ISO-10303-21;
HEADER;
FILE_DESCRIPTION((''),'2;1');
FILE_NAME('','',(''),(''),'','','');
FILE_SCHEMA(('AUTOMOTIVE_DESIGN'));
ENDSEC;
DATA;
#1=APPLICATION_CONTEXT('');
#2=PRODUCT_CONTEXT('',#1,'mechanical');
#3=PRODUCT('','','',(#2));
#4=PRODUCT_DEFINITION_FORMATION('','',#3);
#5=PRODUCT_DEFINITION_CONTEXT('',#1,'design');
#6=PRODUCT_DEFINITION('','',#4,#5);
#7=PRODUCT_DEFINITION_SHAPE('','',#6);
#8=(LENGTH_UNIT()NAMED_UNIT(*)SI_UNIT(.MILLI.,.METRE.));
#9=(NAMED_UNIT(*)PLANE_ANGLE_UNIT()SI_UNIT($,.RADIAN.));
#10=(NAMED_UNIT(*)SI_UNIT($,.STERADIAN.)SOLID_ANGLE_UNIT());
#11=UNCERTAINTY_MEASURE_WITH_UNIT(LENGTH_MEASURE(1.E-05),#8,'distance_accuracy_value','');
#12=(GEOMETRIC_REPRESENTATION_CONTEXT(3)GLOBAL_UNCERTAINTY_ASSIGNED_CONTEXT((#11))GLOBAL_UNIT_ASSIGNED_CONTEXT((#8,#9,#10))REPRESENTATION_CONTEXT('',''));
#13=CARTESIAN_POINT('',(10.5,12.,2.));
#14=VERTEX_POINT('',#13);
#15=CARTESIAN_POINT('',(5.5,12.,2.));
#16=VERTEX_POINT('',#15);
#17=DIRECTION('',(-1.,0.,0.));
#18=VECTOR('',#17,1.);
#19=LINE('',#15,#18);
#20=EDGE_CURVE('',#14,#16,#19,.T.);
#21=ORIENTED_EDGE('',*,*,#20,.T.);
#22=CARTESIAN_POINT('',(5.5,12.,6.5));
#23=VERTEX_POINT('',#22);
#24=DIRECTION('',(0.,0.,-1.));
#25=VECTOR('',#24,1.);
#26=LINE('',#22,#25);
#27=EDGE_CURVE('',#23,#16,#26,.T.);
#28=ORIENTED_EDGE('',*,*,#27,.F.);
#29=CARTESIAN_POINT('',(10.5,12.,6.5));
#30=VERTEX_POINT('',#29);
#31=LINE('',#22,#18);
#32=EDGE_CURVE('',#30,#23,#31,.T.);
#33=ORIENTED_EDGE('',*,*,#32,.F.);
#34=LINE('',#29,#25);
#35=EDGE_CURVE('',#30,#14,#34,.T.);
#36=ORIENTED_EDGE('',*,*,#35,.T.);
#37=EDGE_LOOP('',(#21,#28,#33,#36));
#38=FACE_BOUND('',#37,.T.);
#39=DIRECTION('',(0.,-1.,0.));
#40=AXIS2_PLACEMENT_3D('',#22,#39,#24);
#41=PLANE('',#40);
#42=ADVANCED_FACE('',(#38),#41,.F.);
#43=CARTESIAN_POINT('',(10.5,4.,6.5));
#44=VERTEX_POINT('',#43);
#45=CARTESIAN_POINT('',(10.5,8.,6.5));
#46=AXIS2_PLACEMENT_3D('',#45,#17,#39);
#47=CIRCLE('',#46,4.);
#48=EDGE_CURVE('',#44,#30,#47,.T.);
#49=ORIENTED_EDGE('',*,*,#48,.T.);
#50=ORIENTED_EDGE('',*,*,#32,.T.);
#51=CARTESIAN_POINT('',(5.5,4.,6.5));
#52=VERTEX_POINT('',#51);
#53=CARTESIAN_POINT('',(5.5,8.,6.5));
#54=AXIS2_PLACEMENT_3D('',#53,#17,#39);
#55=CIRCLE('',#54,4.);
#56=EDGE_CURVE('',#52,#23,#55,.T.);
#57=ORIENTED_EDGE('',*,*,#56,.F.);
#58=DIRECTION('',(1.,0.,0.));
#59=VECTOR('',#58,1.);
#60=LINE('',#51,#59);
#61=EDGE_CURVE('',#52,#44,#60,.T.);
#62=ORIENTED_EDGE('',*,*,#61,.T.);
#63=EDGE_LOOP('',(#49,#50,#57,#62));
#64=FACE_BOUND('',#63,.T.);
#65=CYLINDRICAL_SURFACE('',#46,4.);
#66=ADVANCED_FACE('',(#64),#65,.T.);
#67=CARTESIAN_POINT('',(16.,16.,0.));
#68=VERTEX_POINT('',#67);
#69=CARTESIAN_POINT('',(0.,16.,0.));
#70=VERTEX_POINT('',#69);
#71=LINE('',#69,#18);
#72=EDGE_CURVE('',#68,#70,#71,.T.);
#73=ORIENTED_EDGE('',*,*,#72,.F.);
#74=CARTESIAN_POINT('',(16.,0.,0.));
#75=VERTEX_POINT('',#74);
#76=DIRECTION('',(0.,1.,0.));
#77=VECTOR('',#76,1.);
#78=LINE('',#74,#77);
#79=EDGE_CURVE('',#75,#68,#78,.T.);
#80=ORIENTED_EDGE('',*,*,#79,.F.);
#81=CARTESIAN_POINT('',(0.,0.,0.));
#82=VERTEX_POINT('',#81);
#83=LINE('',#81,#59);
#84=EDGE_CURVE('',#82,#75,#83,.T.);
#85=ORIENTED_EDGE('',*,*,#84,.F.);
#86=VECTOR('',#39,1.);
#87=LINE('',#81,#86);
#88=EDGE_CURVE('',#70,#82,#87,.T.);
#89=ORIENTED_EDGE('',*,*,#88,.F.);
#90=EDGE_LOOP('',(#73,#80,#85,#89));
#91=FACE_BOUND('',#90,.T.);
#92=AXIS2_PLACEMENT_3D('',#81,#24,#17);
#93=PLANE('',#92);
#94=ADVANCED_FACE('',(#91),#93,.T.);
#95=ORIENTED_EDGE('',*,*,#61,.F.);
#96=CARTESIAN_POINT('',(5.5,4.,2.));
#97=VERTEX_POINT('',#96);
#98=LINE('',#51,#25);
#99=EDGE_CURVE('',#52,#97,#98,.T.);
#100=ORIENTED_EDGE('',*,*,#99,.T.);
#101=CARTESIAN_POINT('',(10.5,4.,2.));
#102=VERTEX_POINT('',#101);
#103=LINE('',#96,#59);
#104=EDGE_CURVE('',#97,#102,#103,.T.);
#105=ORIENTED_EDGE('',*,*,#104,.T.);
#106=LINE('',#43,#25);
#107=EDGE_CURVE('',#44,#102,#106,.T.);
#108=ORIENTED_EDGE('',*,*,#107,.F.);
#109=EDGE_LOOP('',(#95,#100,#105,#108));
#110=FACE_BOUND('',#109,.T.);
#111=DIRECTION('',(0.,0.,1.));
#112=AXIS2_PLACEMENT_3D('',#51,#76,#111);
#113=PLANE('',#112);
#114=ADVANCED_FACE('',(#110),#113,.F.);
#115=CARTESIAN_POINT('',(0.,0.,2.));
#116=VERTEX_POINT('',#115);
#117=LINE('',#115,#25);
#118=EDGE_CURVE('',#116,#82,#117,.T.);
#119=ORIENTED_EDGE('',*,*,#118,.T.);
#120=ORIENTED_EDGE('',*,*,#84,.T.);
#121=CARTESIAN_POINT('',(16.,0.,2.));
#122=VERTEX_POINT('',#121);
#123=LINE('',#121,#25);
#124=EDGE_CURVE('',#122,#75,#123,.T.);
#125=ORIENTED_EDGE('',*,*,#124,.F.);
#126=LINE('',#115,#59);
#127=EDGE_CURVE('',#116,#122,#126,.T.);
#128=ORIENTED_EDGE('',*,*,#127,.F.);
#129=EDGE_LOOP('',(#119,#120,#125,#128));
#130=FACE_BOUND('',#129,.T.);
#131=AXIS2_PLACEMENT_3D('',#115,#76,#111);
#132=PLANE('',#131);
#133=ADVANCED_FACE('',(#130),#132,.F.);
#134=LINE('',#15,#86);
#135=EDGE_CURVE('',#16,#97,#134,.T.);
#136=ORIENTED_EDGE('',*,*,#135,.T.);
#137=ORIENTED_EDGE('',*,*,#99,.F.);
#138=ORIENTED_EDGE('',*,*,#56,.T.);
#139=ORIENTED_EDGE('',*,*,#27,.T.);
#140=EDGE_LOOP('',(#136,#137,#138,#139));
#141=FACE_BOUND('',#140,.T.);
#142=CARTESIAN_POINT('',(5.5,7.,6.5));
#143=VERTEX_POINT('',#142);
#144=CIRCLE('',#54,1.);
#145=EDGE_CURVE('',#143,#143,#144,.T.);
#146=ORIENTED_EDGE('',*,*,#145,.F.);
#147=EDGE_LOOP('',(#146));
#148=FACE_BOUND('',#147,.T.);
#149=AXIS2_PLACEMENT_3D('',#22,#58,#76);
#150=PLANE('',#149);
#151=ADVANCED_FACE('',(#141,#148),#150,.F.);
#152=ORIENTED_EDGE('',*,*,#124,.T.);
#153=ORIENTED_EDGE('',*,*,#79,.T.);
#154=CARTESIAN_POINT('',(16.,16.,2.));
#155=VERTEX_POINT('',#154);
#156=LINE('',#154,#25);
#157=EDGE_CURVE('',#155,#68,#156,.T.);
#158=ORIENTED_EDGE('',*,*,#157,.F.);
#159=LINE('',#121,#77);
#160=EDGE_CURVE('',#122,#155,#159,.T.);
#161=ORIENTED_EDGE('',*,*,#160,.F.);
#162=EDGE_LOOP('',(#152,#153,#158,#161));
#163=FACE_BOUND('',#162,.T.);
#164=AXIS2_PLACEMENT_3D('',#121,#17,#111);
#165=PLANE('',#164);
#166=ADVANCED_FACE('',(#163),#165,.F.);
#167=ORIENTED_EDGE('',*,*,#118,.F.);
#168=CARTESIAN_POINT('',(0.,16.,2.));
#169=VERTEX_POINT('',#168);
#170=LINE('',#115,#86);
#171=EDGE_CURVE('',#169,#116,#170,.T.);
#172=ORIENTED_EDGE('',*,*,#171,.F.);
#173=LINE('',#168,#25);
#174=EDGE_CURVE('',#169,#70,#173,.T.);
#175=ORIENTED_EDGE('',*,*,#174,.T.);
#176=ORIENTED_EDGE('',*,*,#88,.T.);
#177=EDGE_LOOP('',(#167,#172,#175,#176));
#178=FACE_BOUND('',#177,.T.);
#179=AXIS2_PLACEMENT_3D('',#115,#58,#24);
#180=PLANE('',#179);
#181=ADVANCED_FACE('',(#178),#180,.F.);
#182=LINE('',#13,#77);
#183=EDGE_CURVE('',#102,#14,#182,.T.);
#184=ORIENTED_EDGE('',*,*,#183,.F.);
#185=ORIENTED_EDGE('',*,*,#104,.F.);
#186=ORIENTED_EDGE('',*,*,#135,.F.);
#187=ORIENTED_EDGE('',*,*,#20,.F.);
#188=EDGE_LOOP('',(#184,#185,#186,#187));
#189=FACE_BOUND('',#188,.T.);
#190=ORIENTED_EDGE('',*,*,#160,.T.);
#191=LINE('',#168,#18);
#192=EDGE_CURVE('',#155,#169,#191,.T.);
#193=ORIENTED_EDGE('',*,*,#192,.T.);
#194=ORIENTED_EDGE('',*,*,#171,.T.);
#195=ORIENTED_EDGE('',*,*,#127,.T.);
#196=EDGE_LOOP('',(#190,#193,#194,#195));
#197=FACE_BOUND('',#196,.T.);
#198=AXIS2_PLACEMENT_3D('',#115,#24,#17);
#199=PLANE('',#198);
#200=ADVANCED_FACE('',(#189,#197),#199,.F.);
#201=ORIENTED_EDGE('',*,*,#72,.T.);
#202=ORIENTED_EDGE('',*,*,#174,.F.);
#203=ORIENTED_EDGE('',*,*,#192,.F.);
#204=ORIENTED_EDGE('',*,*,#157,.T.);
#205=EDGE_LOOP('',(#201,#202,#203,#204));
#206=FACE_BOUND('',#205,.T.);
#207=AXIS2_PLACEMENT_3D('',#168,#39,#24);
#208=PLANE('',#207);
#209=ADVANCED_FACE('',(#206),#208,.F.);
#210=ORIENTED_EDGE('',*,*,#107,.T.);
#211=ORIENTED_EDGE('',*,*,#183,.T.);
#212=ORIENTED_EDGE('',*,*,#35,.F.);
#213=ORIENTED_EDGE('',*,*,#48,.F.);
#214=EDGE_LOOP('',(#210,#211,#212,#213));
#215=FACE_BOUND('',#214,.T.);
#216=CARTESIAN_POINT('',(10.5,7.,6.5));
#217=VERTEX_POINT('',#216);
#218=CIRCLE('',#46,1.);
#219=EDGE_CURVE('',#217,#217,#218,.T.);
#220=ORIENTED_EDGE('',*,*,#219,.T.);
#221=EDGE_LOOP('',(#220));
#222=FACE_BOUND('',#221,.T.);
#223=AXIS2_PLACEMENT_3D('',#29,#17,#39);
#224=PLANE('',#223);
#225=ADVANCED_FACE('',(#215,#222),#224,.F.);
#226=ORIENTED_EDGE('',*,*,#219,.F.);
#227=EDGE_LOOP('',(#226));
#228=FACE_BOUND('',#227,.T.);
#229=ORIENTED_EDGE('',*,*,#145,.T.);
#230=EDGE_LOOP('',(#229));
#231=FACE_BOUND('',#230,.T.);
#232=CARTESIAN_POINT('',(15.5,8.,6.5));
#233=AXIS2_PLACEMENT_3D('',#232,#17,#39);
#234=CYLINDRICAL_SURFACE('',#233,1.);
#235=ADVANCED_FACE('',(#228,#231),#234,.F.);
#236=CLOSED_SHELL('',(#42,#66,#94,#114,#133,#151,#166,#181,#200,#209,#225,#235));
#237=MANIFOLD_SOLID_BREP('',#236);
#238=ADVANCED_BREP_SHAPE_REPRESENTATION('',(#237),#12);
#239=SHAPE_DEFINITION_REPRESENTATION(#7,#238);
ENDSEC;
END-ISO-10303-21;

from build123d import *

# Parameters (mm, degrees)
SKETCH_1_W          = 16
SKETCH_1_H          = 16
EXTRUDE_1_DEPTH     = 2
SKETCH_2_W          = 5
SKETCH_2_H          = 8
EXTRUDE_2_DEPTH     = 4.5
SKETCH_3_R          = 4
EXTRUDE_3_DEPTH     = 5
SKETCH_4_R          = 1
CUT_EXTRUDE_1_DEPTH = 10


with BuildPart() as part:
    # 草图1 → 凸台-拉伸1 (new body)
    with BuildSketch(Plane.XY):
        with Locations((8, 8)):
            Rectangle(SKETCH_1_W, SKETCH_1_H)
    extrude(amount=EXTRUDE_1_DEPTH)

    # 草图2 → 凸台-拉伸2 (add)
    with BuildSketch(Plane.XY.offset(2)):
        with Locations((8, 8)):
            Rectangle(SKETCH_2_W, SKETCH_2_H)
    extrude(amount=EXTRUDE_2_DEPTH)

    # 草图3 → 凸台-拉伸3 (add)
    with BuildSketch(Plane.ZY.offset(-5.5)):
        with Locations((6.5, 8)):
            Circle(SKETCH_3_R)
    extrude(amount=-EXTRUDE_3_DEPTH)

    # 草图4 → 切除-拉伸1 (cut)
    with BuildSketch(Plane.ZY.offset(-5.5)):
        with Locations(Location((6.5, 8, 0), (0, 0, 270))):
            Circle(SKETCH_4_R)
    extrude(amount=-CUT_EXTRUDE_1_DEPTH, mode=Mode.SUBTRACT)


solid = part.part
